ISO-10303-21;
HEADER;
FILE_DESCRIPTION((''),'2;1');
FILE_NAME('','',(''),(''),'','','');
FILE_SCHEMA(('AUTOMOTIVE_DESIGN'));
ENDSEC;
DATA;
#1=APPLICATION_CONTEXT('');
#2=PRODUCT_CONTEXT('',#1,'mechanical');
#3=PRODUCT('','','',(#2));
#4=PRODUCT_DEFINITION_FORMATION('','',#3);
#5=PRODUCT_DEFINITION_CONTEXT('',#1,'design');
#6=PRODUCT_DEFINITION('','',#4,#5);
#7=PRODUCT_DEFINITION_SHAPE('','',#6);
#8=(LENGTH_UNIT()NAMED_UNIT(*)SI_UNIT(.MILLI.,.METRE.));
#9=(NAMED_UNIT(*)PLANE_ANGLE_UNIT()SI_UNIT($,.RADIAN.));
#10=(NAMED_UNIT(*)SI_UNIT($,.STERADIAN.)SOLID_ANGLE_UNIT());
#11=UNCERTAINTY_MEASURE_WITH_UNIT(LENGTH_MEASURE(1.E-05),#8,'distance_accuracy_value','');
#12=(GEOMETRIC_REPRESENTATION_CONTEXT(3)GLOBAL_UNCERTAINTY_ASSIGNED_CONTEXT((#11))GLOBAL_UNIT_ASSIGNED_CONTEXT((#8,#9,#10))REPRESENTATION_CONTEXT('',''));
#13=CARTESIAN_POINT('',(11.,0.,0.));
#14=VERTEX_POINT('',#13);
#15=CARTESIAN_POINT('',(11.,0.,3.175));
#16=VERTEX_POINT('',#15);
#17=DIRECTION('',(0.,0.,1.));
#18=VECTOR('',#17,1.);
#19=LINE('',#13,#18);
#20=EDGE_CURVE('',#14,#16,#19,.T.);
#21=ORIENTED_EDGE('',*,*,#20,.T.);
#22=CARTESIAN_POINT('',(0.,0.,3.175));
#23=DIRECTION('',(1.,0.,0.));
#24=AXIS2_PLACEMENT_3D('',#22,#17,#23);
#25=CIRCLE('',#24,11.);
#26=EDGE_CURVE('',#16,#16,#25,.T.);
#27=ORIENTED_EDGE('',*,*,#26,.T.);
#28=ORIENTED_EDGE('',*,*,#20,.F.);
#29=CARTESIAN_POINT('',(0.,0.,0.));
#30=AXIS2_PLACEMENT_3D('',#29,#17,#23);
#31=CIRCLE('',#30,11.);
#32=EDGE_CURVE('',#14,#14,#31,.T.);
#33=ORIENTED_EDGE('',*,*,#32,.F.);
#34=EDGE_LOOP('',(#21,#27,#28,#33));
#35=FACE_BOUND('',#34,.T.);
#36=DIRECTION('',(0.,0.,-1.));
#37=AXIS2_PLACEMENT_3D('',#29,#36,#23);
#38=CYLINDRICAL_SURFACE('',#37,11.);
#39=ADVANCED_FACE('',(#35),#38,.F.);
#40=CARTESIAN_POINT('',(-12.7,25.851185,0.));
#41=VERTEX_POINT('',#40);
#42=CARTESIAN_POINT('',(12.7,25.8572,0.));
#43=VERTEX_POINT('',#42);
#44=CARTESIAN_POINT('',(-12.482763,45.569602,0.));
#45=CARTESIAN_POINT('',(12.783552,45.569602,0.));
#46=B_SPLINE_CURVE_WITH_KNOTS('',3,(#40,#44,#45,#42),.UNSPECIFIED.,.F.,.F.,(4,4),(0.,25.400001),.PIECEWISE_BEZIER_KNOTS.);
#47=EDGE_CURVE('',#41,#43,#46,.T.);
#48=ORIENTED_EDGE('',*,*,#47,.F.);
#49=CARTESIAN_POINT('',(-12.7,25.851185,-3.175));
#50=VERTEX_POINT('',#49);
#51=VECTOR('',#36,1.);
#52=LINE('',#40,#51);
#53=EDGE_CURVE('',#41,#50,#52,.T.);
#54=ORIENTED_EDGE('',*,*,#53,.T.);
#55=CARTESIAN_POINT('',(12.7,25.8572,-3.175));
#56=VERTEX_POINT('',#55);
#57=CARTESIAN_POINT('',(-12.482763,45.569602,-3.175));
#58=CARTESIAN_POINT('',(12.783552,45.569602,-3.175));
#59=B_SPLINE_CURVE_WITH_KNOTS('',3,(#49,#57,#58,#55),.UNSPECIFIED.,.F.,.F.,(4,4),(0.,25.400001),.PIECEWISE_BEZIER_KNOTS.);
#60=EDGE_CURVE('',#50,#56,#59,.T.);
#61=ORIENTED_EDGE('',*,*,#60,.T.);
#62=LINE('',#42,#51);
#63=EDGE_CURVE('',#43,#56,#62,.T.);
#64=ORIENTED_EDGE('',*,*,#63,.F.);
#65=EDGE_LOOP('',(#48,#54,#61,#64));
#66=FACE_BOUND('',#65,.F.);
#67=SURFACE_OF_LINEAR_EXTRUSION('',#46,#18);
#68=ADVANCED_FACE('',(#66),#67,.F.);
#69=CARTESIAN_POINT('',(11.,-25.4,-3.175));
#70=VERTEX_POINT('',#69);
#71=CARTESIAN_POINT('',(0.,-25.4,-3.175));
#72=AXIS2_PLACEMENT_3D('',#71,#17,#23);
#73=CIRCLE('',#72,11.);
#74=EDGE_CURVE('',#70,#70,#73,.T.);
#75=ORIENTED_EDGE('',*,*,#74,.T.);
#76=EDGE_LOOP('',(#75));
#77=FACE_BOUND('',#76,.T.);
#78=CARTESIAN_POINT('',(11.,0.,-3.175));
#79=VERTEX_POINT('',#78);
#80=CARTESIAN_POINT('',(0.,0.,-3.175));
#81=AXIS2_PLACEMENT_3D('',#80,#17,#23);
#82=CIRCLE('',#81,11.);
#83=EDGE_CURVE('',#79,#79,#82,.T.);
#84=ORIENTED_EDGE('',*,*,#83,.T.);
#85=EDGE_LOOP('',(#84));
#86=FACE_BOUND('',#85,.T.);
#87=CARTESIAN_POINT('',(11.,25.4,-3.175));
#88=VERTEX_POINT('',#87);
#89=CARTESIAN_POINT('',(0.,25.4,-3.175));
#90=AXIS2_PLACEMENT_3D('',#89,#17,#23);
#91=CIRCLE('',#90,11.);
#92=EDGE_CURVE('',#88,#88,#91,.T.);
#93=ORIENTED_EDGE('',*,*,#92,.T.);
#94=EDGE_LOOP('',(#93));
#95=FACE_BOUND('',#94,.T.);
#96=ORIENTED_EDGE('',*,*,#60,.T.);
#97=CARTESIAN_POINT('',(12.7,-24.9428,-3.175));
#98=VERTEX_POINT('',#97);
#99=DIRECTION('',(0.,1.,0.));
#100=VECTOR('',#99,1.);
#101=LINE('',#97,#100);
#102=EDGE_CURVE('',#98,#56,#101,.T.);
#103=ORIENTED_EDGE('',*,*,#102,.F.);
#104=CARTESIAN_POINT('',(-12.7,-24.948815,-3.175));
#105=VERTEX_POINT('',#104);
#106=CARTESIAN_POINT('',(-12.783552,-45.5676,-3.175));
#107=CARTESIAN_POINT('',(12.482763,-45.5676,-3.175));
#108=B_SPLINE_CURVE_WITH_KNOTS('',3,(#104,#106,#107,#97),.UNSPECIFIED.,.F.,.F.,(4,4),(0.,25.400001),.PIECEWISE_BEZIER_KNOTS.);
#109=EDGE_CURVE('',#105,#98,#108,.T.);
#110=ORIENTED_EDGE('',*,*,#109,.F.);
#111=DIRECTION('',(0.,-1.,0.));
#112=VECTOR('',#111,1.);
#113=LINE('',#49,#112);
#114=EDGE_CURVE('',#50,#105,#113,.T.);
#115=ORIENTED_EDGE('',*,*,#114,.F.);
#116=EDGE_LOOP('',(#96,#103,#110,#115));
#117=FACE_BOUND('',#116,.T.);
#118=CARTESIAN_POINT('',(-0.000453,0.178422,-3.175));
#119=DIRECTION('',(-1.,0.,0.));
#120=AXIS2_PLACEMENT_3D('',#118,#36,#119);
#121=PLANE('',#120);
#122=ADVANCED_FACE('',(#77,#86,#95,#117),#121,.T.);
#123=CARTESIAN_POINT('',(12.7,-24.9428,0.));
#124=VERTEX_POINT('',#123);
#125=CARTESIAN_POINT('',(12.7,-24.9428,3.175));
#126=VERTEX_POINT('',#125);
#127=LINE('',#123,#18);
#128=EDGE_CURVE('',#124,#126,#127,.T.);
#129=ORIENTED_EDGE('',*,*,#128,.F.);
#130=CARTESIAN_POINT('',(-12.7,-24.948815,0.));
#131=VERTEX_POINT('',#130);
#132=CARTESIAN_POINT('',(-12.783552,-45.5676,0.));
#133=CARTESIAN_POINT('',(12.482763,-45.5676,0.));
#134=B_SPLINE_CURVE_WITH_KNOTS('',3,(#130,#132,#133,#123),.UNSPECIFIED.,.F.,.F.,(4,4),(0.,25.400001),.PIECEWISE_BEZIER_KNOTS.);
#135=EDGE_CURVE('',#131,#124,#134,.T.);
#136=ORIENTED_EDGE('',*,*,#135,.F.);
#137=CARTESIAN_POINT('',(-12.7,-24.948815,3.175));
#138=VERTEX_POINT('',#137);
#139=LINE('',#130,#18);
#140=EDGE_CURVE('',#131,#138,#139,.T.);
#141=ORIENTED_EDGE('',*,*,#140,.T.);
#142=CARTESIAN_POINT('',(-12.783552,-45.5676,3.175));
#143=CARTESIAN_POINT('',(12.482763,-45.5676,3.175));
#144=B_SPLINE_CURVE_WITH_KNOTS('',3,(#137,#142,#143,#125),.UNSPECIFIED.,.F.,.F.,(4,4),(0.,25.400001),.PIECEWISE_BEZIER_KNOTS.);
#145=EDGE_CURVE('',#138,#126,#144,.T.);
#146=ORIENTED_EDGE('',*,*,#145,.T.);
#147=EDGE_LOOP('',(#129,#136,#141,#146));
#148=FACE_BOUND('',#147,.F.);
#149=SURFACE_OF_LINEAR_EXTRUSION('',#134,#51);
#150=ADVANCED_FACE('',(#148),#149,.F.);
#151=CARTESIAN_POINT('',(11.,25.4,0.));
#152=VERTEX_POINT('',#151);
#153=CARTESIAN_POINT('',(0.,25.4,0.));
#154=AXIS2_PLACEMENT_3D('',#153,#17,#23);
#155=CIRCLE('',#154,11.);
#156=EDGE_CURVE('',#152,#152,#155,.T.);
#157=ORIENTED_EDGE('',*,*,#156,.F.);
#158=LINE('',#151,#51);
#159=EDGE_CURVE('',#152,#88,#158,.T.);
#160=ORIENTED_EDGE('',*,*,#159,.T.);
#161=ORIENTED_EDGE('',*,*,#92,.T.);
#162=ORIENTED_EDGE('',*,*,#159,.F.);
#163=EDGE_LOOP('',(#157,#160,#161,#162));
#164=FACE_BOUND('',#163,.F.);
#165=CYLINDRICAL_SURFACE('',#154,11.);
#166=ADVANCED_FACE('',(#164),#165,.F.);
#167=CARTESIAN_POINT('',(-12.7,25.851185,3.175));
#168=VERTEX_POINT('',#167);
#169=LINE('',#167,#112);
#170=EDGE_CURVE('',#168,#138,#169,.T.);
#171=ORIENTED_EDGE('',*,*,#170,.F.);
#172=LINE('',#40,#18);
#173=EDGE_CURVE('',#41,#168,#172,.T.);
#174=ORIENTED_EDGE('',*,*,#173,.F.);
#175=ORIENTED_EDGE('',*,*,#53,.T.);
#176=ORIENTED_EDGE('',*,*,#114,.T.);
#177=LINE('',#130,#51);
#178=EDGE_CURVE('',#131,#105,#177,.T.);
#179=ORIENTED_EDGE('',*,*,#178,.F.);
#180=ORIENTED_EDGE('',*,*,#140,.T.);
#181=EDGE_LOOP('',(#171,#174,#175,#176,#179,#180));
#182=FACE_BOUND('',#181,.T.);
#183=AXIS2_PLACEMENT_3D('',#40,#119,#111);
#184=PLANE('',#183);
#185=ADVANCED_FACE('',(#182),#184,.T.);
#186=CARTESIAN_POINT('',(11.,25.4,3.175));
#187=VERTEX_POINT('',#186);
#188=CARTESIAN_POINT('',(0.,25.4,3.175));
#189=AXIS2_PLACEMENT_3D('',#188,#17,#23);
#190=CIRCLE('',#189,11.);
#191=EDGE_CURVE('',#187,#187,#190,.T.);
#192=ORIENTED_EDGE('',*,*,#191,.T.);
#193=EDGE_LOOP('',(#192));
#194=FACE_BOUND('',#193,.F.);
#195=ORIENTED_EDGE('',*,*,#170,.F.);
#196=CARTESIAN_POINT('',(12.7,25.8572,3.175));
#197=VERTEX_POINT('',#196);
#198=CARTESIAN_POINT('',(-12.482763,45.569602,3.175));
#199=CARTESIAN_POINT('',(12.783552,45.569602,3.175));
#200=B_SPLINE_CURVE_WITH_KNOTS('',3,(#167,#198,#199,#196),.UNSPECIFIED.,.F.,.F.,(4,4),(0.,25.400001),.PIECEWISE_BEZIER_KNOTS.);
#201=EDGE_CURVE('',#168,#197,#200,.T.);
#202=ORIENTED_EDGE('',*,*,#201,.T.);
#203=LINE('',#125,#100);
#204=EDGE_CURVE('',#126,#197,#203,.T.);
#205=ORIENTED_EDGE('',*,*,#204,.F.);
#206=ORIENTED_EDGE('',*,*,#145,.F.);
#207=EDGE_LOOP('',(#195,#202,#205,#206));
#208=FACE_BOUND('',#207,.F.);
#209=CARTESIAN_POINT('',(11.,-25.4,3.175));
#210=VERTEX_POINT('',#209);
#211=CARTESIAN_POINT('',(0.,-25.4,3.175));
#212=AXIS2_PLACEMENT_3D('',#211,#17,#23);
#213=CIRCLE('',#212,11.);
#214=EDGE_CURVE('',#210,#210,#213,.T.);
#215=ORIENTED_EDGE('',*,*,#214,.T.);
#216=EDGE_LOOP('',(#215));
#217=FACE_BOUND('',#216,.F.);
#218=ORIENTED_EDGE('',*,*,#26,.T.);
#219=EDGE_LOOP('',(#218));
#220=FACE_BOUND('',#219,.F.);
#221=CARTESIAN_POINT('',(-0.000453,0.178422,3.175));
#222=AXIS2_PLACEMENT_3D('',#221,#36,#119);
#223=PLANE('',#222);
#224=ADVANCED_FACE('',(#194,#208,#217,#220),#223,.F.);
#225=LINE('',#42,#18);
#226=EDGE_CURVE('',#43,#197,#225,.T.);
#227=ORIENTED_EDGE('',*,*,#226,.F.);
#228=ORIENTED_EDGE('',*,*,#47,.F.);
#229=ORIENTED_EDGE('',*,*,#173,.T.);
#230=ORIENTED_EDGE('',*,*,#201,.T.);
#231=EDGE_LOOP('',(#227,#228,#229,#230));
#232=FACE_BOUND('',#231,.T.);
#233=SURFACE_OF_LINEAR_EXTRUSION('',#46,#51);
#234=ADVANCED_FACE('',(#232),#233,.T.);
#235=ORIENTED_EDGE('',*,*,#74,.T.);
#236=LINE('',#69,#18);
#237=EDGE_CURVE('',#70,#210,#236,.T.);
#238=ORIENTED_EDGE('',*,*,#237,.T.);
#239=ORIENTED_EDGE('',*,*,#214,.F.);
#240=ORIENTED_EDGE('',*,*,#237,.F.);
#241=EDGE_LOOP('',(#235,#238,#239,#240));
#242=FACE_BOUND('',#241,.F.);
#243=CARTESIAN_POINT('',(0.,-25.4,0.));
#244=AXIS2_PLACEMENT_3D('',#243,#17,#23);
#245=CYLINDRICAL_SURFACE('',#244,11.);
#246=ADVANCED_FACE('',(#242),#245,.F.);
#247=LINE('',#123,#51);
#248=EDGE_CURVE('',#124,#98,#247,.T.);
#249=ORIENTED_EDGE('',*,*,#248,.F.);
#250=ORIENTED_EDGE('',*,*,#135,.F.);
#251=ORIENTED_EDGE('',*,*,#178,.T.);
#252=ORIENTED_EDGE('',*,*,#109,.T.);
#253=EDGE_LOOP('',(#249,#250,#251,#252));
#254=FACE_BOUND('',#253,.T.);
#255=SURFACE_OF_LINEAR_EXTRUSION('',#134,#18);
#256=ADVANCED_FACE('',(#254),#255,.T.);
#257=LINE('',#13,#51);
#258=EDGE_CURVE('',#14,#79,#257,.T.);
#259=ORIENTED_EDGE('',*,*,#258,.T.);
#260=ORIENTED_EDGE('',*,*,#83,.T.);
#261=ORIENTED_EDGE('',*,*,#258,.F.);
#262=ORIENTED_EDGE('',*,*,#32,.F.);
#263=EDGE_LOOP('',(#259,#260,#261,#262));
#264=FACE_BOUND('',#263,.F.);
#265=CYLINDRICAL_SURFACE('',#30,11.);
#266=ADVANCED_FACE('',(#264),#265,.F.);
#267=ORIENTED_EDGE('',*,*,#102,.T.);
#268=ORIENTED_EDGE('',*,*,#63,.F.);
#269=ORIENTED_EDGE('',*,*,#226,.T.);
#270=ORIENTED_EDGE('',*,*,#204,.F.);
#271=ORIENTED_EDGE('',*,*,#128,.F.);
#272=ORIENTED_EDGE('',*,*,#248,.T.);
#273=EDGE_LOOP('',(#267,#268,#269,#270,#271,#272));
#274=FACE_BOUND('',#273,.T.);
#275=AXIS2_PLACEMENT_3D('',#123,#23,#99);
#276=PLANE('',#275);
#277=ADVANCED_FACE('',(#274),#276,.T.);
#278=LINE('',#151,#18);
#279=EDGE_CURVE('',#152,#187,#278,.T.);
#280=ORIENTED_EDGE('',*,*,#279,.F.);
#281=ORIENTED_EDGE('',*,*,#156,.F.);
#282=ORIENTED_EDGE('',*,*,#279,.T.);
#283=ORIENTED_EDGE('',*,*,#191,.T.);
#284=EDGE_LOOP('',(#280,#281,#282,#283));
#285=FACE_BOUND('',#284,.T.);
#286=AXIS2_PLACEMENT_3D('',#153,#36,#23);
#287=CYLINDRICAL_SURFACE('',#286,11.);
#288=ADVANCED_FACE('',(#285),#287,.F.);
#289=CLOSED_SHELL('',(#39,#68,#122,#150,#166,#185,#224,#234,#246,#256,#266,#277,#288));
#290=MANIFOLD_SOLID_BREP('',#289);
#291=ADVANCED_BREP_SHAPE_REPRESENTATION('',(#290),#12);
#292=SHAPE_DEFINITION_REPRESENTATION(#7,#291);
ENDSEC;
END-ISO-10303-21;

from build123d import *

# Parameters (mm, degrees)
F2_DEPTH = 3.175
F0_R     = 11
F3_DEPTH = 3.175


with BuildPart() as f2:
    # F1 (on Top) → F2 (new body, symmetric)
    with BuildSketch(Plane.XY):
        with BuildLine():
            add(Edge.make_bspline(
                [(-12.7, 25.851185), (-12.482763, 45.569602), (12.783552, 45.569602), (12.7, 25.8572)],
                knots=[0, 0, 0, 0, 25.400001, 25.400001, 25.400001, 25.400001], degree=3))
            Line((-12.7, 25.851185), (-12.7, -24.948815))
            add(Edge.make_bspline(
                [(-12.7, -24.948815), (-12.783552, -45.5676), (12.482763, -45.5676), (12.7, -24.9428)],
                knots=[0, 0, 0, 0, 25.400001, 25.400001, 25.400001, 25.400001], degree=3))
            Line((12.7, -24.9428), (12.7, 25.8572))
        make_face()
    extrude(amount=F2_DEPTH, both=True)

    # F0 (on Top) → F3 (cut, symmetric)
    with BuildSketch(Plane.XY):
        Circle(F0_R)
        with Locations((0, 25.4)):
            Circle(F0_R)
        with Locations((0, -25.4)):
            Circle(F0_R)
    extrude(amount=F3_DEPTH, both=True, mode=Mode.SUBTRACT)


solid = f2.part
